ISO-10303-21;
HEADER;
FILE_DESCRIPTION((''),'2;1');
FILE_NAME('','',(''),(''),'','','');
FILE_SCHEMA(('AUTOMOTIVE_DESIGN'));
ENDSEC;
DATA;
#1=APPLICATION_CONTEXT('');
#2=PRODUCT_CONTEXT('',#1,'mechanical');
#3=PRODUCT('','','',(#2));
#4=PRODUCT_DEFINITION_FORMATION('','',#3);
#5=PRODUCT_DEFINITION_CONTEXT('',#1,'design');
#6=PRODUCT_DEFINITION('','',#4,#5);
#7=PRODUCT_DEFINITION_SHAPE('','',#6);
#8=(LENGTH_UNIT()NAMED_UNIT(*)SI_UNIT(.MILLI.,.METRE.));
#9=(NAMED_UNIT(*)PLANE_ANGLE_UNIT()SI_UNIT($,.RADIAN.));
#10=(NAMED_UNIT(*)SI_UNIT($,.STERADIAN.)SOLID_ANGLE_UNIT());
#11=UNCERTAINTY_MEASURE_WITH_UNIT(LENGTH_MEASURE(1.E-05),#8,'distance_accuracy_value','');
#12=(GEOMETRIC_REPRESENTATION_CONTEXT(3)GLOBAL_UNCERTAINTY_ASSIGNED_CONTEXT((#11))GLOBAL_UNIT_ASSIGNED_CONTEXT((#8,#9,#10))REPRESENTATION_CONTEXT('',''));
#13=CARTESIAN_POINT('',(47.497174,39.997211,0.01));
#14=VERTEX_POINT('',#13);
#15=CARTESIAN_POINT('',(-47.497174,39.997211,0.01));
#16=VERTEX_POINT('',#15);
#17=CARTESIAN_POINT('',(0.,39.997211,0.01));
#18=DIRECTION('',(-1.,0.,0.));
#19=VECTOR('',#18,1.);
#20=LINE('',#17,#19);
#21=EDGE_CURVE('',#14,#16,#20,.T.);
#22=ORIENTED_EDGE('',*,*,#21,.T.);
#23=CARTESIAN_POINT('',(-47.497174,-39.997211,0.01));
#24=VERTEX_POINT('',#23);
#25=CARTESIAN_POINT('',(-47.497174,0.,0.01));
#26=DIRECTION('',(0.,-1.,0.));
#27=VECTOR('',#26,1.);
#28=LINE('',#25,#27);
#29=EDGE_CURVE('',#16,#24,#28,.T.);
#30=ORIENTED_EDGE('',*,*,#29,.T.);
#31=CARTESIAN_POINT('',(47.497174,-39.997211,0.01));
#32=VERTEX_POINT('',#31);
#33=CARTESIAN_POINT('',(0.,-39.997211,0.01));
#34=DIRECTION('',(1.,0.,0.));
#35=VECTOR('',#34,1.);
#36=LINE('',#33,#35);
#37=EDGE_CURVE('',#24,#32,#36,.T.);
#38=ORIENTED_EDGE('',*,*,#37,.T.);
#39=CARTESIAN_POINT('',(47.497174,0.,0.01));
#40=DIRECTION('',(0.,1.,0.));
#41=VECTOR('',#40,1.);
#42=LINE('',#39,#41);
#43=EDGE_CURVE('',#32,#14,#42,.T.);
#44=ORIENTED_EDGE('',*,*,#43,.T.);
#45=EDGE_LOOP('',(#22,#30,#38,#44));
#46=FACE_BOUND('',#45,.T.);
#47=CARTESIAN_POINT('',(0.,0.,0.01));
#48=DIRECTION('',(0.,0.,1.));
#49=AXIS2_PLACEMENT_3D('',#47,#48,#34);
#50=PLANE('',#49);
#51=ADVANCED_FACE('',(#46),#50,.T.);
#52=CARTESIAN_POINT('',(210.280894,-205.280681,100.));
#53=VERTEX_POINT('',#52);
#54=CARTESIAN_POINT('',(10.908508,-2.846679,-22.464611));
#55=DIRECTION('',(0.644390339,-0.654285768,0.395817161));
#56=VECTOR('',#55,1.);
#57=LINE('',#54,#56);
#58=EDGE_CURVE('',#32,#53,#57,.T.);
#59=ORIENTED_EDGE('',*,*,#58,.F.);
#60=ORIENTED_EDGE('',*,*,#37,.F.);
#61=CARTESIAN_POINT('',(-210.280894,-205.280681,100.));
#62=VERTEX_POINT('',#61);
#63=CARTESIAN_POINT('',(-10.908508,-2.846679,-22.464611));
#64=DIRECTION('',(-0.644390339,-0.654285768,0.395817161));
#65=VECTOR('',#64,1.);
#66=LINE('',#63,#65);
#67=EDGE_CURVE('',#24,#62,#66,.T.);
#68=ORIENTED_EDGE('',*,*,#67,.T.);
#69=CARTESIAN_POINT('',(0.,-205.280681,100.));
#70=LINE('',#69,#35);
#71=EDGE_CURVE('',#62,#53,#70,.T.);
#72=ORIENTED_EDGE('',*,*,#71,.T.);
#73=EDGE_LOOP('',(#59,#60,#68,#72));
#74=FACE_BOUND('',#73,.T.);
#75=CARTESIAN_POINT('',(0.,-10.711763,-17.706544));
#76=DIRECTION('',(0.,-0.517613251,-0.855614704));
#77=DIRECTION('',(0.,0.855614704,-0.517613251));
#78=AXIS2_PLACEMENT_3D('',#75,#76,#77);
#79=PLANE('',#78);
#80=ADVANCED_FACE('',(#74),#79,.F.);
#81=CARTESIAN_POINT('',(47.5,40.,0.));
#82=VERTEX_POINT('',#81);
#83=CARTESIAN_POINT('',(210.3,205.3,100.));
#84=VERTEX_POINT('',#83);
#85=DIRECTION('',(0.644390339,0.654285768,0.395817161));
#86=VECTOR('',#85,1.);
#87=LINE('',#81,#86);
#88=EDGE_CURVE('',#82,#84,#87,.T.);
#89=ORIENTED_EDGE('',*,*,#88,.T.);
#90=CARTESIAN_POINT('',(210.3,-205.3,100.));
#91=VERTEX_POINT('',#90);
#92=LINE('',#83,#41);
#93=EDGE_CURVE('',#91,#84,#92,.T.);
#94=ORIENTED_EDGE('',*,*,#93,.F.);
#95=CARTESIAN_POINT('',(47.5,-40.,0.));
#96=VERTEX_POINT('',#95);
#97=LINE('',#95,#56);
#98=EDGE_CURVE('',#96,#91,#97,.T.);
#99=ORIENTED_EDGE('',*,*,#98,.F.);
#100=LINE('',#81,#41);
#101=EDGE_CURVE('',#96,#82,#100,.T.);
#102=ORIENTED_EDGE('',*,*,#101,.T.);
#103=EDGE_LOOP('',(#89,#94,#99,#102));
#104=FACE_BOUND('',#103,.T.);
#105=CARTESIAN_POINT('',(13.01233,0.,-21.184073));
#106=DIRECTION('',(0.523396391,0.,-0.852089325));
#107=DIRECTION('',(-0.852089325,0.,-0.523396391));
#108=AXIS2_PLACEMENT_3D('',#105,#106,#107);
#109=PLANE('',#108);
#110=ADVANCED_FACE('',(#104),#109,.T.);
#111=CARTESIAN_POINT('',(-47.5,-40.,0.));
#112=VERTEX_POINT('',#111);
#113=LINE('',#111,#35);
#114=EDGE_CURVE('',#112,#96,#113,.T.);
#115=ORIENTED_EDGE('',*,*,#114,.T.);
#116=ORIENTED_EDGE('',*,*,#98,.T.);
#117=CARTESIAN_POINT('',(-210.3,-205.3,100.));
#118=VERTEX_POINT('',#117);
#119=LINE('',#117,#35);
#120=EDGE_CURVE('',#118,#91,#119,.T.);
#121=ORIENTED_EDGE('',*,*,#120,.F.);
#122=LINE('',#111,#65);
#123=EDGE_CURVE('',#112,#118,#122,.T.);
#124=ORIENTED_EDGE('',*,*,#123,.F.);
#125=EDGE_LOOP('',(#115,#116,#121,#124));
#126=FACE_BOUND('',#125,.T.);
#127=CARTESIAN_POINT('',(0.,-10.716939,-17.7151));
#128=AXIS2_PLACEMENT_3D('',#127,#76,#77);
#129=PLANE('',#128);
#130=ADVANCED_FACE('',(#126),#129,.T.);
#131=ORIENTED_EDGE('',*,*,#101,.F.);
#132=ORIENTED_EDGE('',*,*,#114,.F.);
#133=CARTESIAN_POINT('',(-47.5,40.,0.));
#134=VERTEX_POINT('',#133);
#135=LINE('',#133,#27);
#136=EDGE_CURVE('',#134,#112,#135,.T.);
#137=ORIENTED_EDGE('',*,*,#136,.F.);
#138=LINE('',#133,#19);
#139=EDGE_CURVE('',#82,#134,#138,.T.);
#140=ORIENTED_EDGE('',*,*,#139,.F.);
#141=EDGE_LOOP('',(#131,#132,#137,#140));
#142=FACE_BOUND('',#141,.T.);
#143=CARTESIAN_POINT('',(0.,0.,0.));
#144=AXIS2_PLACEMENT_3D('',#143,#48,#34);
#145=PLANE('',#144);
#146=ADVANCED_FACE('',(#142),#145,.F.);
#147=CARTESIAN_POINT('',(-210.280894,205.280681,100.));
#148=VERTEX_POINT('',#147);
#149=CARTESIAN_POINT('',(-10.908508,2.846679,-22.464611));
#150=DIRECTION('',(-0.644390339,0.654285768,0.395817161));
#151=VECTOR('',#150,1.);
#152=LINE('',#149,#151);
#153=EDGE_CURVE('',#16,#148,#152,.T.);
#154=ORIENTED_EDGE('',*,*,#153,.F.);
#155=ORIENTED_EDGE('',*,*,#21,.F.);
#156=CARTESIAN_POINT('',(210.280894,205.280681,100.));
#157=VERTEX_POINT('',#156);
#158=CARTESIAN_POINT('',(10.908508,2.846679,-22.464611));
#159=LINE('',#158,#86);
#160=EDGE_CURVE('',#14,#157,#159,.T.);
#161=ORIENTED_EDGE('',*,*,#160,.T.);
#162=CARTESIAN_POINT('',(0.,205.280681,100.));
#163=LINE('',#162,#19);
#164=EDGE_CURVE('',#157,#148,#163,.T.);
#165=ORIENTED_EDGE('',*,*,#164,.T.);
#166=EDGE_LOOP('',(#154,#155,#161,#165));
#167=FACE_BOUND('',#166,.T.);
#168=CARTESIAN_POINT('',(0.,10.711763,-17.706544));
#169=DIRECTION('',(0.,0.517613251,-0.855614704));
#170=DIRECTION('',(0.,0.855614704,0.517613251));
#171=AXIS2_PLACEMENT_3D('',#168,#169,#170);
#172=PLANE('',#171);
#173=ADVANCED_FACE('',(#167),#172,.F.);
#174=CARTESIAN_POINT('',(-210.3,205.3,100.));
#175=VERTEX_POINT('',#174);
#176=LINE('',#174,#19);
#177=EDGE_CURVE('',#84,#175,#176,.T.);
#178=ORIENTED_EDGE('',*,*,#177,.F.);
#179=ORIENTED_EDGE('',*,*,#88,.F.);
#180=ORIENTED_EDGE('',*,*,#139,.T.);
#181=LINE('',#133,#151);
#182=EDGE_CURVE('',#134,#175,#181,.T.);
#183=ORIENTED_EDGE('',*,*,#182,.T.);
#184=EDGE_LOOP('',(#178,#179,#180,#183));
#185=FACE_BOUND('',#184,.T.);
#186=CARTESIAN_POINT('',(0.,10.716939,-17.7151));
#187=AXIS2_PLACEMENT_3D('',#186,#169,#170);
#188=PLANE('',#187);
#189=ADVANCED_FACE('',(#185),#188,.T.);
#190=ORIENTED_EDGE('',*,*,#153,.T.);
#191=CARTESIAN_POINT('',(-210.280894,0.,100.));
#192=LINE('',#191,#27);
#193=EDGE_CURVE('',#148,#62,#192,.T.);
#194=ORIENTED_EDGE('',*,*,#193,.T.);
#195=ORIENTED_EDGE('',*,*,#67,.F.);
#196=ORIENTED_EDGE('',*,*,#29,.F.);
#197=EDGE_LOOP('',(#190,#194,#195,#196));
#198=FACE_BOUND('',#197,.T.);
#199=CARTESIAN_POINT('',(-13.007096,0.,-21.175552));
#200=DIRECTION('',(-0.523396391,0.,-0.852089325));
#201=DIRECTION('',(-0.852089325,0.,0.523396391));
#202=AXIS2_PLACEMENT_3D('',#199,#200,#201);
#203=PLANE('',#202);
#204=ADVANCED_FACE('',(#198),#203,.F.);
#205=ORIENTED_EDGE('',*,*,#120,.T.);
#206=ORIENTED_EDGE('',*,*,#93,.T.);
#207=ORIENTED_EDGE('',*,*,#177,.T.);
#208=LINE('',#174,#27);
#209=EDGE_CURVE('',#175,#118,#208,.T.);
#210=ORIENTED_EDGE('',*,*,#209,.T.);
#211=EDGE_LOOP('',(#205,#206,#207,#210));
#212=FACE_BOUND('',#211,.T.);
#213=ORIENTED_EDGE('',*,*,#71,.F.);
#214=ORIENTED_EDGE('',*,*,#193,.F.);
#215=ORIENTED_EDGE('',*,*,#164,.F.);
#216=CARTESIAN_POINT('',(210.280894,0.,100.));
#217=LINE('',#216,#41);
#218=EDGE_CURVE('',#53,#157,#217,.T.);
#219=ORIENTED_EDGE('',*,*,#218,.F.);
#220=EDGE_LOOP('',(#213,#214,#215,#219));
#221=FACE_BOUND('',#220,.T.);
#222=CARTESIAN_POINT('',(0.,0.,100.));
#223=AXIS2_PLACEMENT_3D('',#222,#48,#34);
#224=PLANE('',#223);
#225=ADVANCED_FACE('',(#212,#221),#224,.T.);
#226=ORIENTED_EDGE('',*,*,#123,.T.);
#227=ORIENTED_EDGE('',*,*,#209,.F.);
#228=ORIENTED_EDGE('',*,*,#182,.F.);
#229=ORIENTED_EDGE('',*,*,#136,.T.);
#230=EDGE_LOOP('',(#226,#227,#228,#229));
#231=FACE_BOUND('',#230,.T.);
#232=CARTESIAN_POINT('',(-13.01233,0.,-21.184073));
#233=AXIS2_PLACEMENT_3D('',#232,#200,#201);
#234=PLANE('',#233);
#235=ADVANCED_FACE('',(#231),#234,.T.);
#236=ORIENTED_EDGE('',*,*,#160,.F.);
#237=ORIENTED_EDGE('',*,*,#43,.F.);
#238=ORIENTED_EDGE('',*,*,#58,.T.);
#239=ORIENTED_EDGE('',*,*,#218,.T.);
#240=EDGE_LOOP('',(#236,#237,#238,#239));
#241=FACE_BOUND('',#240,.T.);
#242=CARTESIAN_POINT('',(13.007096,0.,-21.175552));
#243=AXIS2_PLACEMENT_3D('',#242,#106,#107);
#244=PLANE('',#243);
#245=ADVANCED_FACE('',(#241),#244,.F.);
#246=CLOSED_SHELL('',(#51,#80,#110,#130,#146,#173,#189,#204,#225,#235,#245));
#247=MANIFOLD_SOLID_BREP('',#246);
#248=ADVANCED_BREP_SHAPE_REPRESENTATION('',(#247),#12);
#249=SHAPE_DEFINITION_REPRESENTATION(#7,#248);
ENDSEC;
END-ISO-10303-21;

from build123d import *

# Parameters (mm, degrees)
SHELL_1_T = -0.01


with BuildPart() as part:
    # 草图3 → 放样1 section 0
    with BuildSketch(Plane.XY):
        with BuildLine():
            Line((-47.5, 40), (47.5, 40))
            Line((47.5, 40), (47.5, -40))
            Line((47.5, -40), (-47.5, -40))
            Line((-47.5, -40), (-47.5, 40))
        make_face()
    # 草图4 → 放样1 section 1
    with BuildSketch(Plane.XY.offset(100)):
        with BuildLine():
            Line((-210.3, 205.3), (210.3, 205.3))
            Line((210.3, 205.3), (210.3, -205.3))
            Line((210.3, -205.3), (-210.3, -205.3))
            Line((-210.3, -205.3), (-210.3, 205.3))
        make_face()
    loft()

    # 抽壳1
    shell_1_openings = [part.faces().sort_by_distance(p)[0] for p in [
        (0, 0, 100),
    ]]
    offset(amount=SHELL_1_T, openings=shell_1_openings)


solid = part.part
